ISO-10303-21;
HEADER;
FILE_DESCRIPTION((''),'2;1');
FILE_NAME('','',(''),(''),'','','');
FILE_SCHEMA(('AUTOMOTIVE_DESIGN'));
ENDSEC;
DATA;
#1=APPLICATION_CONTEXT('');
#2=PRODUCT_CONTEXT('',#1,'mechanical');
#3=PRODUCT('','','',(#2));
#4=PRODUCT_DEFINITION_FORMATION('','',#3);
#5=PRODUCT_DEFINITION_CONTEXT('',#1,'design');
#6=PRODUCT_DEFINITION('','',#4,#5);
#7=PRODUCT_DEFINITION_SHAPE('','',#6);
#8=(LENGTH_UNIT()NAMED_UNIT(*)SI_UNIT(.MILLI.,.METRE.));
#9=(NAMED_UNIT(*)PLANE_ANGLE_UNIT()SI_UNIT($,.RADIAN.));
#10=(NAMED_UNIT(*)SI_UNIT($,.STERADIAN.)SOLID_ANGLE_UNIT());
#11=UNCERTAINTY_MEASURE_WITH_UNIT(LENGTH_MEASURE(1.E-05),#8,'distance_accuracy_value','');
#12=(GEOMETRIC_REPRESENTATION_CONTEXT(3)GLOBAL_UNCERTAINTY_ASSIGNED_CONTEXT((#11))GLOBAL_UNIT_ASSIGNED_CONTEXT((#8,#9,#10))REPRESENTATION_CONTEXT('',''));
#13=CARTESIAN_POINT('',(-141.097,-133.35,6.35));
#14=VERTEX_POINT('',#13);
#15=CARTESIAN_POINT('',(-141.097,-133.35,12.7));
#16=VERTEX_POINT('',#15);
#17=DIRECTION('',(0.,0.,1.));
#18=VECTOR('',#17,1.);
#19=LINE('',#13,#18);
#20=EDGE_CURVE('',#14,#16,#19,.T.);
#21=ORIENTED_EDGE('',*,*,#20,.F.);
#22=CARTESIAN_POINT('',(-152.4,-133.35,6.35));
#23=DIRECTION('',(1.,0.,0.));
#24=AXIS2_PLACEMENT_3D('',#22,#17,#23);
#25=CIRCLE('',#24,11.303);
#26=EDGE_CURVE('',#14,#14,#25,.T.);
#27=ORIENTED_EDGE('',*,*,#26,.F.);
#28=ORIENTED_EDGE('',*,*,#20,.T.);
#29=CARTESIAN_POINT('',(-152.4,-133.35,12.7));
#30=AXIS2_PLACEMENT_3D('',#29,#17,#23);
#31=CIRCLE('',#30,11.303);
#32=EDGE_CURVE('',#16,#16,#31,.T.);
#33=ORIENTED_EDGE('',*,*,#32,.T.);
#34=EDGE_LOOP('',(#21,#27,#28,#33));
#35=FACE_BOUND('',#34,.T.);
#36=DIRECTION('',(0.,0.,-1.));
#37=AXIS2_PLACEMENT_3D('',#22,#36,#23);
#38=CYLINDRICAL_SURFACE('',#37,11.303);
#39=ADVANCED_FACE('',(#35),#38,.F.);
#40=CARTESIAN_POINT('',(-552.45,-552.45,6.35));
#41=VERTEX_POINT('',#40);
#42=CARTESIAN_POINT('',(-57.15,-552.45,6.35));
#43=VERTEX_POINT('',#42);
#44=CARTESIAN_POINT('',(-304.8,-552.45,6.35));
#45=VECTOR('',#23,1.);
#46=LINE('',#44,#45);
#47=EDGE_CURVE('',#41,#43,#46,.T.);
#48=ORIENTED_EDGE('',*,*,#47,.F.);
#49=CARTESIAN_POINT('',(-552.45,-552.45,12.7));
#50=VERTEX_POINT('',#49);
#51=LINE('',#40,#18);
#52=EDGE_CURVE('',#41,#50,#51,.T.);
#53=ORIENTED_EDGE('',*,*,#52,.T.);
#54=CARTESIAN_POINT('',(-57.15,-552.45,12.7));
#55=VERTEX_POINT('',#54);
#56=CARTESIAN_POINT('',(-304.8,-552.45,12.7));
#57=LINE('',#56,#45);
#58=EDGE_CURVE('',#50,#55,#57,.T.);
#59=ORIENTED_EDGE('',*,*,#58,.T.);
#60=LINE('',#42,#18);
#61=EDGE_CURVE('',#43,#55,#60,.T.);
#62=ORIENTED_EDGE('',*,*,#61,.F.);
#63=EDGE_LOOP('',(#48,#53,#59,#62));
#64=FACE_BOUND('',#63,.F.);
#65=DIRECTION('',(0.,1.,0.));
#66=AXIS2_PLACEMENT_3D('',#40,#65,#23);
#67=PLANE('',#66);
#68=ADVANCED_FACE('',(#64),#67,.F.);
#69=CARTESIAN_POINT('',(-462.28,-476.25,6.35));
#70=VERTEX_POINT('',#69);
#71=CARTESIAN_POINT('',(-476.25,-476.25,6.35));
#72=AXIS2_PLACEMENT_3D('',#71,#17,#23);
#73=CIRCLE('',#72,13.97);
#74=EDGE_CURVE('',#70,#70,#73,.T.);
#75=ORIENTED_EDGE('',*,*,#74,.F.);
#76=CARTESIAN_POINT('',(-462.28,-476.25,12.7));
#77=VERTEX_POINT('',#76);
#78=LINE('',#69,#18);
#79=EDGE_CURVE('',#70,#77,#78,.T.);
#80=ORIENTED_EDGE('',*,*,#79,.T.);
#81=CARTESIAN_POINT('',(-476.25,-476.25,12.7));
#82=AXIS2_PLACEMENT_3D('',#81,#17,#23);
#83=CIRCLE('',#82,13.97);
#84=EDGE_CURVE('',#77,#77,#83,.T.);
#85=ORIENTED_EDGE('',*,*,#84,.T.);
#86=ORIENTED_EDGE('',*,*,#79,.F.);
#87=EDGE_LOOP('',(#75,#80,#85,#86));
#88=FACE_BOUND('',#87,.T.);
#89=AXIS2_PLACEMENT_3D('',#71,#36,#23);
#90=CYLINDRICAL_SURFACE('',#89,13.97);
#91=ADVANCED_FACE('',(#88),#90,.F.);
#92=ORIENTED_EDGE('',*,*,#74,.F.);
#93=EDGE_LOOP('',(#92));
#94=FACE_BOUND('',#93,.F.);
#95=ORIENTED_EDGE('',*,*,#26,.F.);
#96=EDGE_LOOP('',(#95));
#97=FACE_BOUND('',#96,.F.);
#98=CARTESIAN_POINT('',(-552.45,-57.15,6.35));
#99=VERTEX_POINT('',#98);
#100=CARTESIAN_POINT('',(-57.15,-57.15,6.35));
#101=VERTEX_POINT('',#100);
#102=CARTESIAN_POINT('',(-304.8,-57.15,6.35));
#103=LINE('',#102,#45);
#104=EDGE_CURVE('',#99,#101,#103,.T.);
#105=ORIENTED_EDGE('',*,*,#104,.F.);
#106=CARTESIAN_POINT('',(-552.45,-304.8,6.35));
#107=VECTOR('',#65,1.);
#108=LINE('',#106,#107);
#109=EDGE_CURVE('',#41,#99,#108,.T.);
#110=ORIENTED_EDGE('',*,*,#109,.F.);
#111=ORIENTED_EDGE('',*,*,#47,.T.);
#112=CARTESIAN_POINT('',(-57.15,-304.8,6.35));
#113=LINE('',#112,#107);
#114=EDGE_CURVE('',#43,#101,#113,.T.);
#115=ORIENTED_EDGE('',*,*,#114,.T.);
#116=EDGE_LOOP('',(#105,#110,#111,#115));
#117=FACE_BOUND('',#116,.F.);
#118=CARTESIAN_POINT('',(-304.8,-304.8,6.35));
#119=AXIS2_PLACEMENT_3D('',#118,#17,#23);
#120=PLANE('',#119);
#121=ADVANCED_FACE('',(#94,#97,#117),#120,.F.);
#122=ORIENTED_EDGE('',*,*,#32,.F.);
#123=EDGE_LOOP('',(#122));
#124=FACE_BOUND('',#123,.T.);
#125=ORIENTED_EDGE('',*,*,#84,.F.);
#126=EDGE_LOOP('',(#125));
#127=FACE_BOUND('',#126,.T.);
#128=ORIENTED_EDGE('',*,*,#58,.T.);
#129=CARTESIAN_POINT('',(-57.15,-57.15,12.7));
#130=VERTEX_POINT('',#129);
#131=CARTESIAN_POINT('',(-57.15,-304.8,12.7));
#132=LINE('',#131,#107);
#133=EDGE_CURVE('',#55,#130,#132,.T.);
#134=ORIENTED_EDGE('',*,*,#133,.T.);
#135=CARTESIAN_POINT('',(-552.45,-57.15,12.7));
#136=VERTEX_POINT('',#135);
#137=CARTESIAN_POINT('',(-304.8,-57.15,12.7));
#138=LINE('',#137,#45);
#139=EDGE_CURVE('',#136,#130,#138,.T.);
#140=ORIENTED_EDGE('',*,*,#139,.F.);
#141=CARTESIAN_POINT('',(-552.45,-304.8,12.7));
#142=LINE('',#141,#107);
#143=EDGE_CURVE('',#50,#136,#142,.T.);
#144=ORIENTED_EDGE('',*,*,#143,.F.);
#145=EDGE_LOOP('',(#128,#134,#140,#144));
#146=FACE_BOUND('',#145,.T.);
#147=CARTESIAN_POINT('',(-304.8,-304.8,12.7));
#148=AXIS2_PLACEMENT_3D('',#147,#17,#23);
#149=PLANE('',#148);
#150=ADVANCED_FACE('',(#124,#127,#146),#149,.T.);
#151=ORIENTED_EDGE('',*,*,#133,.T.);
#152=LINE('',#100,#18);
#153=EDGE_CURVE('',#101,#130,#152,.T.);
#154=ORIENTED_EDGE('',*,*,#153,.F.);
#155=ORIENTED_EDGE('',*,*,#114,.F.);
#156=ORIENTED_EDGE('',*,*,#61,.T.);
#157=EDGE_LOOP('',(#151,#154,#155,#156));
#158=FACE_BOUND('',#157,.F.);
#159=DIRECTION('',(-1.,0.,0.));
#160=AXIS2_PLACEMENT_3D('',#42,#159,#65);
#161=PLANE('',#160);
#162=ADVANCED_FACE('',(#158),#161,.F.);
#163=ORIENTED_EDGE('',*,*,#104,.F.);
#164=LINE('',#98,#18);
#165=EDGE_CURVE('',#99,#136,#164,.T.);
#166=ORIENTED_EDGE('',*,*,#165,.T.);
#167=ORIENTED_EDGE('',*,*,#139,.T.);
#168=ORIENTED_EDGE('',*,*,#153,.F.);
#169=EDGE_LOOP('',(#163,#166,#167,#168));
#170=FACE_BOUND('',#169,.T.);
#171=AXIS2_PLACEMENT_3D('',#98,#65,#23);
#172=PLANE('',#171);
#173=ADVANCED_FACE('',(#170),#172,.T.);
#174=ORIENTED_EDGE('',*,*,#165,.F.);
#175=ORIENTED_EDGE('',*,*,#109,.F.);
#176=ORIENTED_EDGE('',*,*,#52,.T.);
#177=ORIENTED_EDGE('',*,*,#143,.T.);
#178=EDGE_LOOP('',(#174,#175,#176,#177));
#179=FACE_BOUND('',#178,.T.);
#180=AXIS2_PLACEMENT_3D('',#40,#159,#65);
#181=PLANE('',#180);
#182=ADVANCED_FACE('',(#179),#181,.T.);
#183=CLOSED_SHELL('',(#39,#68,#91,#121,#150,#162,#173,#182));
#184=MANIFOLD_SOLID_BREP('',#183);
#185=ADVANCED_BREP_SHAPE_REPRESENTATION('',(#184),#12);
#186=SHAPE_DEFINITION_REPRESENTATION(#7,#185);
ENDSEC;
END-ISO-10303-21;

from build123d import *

# Parameters (mm, degrees)
SKETCH_W   = 495.3
SKETCH_H   = 495.3
SKETCH_R   = 11.303
SKETCH_R_2 = 13.97
PAD_DEPTH  = 6.35


with BuildPart() as part:
    # Sketch → Pad (new body)
    with BuildSketch(Plane(origin=(-304.8, -304.8, 6.35), x_dir=(1, 0, 0), z_dir=(0, 0, 1))):
        Rectangle(SKETCH_W, SKETCH_H)
        with Locations((152.4, 171.45)):
            Circle(SKETCH_R, mode=Mode.SUBTRACT)
        with Locations((-171.45, -171.45)):
            Circle(SKETCH_R_2, mode=Mode.SUBTRACT)
    extrude(amount=PAD_DEPTH)


solid = part.part
